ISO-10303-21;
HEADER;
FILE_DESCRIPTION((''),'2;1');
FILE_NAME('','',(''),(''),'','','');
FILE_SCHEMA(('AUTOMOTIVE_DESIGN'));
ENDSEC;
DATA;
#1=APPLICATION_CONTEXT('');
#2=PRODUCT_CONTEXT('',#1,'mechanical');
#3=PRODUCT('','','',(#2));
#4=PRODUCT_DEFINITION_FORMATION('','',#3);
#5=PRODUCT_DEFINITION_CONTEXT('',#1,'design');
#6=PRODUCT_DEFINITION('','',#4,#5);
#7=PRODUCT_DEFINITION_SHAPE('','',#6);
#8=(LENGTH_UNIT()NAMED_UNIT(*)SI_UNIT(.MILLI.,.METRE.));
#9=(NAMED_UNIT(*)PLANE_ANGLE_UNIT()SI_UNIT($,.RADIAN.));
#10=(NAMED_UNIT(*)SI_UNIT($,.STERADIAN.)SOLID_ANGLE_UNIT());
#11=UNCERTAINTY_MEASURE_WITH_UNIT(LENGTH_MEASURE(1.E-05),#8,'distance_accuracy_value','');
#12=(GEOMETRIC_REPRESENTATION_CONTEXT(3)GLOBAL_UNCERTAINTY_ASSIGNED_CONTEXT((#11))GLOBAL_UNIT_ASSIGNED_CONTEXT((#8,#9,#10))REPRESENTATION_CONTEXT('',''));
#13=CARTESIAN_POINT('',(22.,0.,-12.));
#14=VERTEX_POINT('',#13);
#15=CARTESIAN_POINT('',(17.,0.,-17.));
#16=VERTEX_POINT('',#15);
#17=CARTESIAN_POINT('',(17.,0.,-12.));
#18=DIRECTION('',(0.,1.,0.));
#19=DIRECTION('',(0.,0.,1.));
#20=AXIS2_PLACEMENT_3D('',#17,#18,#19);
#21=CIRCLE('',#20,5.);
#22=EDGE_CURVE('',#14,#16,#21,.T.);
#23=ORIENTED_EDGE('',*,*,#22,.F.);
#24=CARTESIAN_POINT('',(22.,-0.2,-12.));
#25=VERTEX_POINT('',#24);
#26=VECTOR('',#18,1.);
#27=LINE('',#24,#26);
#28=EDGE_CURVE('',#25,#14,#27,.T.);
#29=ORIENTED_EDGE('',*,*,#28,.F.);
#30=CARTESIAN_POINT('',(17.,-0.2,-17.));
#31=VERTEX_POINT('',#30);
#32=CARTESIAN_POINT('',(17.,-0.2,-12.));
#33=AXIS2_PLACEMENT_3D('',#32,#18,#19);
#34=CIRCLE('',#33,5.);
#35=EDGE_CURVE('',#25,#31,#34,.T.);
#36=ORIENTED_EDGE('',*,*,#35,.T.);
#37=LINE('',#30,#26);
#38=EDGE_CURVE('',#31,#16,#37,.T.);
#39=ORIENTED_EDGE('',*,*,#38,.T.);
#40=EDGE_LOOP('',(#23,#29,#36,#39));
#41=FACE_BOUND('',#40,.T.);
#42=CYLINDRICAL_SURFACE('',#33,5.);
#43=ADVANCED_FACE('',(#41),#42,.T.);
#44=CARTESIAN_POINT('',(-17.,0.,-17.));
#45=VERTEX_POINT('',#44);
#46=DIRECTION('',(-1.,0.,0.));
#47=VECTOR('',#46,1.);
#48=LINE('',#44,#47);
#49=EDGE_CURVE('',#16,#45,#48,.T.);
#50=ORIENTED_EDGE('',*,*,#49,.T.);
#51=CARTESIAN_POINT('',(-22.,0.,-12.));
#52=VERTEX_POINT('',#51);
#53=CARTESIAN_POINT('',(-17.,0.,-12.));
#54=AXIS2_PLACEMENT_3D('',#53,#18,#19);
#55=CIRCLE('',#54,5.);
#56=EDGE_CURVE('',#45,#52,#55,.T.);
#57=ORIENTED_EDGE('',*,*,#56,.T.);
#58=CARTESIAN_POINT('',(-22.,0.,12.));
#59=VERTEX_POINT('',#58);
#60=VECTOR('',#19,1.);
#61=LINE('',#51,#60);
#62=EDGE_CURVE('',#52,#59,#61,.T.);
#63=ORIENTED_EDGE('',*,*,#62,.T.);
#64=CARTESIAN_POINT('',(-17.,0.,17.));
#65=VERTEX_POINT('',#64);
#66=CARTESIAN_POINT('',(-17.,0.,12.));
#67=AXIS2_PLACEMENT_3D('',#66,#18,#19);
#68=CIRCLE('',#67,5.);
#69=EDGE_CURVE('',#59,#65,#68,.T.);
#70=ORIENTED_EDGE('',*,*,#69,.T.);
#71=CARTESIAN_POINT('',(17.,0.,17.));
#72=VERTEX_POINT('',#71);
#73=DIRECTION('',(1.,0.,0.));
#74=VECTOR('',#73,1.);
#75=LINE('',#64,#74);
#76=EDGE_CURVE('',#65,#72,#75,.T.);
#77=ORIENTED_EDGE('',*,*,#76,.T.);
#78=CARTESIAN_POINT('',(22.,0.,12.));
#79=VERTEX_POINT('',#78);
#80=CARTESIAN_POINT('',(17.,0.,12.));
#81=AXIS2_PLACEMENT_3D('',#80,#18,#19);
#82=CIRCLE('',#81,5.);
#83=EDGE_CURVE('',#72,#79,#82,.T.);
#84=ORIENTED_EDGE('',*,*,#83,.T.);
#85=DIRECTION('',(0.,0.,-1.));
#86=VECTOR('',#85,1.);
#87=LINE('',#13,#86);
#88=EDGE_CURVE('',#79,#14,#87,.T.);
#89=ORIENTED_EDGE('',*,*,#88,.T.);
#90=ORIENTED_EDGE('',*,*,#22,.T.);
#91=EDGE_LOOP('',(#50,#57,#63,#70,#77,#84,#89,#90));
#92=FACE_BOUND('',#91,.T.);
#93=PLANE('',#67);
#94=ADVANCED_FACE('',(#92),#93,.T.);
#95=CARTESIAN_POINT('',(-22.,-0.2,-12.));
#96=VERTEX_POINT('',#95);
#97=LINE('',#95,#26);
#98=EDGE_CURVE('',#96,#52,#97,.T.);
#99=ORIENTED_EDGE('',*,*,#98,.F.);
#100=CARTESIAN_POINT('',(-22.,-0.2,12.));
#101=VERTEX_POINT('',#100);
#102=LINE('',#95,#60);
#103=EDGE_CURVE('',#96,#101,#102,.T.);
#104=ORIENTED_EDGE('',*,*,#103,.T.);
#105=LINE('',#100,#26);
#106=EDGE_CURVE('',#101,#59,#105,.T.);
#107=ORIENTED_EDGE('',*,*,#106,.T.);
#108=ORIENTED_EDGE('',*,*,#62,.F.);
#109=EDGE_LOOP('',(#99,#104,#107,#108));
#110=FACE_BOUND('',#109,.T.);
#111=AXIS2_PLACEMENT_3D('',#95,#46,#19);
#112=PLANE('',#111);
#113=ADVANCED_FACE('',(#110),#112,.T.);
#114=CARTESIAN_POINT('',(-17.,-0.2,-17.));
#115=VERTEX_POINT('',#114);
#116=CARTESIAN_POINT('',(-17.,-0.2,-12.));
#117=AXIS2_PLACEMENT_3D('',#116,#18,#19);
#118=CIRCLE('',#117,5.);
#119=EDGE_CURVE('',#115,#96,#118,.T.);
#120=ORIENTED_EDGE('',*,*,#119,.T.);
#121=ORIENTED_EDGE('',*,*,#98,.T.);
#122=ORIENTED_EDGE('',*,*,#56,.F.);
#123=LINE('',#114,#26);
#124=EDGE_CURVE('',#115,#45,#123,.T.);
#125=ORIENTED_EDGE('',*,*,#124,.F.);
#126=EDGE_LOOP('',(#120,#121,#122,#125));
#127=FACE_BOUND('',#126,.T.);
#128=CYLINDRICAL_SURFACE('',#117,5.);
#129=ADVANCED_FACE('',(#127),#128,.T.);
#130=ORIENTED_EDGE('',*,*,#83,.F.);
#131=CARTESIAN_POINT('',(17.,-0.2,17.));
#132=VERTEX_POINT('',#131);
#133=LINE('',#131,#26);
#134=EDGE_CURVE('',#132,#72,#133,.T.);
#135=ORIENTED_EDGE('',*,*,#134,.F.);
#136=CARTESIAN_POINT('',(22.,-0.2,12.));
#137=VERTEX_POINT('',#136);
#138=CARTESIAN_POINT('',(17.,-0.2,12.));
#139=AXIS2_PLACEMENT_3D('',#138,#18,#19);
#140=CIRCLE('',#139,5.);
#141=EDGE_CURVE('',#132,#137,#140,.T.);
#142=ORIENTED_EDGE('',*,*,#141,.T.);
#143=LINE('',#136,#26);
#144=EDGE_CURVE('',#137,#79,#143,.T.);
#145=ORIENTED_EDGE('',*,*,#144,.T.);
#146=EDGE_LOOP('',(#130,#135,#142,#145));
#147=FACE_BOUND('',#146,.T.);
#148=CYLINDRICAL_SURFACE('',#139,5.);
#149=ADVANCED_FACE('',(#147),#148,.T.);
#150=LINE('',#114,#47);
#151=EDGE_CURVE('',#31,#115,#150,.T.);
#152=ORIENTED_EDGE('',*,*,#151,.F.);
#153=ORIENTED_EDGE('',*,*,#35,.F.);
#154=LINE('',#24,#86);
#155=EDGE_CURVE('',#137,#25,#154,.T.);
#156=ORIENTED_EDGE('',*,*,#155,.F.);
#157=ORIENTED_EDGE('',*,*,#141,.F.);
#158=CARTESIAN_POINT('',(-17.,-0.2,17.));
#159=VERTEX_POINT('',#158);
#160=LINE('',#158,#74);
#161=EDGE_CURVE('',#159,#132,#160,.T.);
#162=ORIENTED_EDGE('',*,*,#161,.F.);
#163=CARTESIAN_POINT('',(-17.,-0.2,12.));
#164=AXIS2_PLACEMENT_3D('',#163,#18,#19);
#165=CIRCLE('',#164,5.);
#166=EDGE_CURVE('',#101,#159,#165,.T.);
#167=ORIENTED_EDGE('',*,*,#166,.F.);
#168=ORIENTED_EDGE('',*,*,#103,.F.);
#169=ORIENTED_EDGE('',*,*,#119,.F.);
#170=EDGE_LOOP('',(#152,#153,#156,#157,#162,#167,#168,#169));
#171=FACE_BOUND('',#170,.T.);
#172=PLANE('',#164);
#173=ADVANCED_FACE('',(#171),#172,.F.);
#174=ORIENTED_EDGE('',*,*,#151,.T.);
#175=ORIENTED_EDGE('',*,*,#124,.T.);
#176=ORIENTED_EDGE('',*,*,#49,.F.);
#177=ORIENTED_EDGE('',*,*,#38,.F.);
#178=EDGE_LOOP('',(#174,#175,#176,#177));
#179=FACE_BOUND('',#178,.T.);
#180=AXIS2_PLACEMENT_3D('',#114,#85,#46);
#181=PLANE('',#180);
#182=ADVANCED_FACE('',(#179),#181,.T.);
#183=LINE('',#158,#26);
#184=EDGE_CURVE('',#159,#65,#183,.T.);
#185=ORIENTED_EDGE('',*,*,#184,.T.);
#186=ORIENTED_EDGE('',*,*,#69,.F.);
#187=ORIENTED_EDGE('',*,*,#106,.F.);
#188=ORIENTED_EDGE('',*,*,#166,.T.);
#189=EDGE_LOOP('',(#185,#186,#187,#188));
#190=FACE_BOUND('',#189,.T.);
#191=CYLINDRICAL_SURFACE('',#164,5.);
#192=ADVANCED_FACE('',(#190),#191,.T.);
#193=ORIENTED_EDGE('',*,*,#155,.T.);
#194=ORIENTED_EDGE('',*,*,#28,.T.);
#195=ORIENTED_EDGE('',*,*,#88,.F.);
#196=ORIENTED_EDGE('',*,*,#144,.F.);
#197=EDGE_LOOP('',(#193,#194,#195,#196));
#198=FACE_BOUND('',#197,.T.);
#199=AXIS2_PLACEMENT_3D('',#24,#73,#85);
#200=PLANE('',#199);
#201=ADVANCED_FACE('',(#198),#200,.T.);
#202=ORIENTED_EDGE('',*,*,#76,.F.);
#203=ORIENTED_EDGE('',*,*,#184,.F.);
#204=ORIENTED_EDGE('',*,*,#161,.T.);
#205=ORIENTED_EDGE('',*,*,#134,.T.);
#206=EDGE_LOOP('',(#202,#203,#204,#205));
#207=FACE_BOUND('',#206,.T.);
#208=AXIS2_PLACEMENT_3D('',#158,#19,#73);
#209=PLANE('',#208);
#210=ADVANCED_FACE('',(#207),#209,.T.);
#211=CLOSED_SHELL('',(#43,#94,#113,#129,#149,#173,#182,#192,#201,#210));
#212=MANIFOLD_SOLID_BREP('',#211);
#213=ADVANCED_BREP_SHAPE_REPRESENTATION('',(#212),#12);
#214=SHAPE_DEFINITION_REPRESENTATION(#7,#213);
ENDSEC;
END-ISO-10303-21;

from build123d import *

# Parameters (mm, degrees)
BASE_DEPTH = 0.2


with BuildPart() as part:
    # BaseS → Base (new body)
    with BuildSketch(Plane(origin=(0, 0, 0), x_dir=(1, 0, 0), z_dir=(0, 1, 0))):
        with BuildLine():
            Line((-17, 17), (17, 17))
            ThreePointArc((17, 17), (20.535533906, 15.535533906), (22, 12))
            Line((22, 12), (22, -12))
            ThreePointArc((22, -12), (20.535533906, -15.535533906), (17, -17))
            Line((17, -17), (-17, -17))
            ThreePointArc((-17, -17), (-20.535533906, -15.535533906), (-22, -12))
            Line((-22, -12), (-22, 12))
            ThreePointArc((-22, 12), (-20.535533906, 15.535533906), (-17, 17))
        make_face()
    extrude(amount=-BASE_DEPTH)


solid = part.part
